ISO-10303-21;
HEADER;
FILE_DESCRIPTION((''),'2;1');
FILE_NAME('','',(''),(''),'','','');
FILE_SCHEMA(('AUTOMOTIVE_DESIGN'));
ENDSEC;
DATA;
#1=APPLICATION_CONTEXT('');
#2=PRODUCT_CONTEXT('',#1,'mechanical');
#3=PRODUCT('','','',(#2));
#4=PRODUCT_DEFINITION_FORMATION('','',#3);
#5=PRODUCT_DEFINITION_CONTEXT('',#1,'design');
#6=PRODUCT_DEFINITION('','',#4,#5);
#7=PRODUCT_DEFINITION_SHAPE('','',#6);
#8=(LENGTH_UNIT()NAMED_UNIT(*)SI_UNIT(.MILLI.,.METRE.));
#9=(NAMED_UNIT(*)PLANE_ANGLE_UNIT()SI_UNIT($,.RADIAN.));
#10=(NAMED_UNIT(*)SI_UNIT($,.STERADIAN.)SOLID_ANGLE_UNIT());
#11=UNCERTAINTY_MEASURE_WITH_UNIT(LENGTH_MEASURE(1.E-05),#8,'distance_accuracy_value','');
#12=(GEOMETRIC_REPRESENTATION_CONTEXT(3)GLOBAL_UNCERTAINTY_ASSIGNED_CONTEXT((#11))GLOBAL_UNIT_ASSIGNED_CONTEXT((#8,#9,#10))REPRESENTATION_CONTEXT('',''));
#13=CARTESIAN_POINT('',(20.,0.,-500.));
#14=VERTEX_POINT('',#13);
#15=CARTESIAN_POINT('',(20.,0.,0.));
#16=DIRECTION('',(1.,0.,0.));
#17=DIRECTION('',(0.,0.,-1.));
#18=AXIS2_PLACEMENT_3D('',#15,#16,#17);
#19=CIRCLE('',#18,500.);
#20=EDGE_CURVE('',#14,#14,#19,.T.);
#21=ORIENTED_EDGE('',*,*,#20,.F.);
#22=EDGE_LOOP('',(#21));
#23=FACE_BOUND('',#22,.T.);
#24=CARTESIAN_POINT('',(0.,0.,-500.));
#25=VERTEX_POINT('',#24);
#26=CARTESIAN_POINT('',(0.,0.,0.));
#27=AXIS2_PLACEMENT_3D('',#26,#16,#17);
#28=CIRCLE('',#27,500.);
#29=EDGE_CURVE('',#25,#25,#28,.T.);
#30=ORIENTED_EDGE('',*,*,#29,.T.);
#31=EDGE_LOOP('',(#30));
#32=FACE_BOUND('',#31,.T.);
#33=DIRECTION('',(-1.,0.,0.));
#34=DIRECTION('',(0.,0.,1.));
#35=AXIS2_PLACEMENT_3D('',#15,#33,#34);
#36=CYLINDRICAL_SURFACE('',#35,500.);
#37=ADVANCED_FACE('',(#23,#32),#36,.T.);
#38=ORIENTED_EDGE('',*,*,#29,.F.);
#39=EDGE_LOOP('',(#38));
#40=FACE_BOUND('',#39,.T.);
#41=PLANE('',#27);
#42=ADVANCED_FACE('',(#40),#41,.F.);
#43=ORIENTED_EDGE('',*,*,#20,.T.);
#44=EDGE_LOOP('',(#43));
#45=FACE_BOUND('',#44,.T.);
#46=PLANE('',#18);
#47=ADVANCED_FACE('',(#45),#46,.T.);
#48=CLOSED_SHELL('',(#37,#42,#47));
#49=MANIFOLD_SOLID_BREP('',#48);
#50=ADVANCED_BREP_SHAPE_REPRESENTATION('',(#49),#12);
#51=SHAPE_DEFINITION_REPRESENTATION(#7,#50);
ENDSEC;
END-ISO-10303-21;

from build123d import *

# Parameters (mm, degrees)
ESQUISSE2_R        = 500
BOSS_EXTRU_2_DEPTH = 20


with BuildPart() as part:
    # Esquisse2 → Boss.-Extru.2 (new body)
    with BuildSketch(Plane(origin=(0, 0, 0), x_dir=(0, 0, -1), z_dir=(1, 0, 0))):
        Circle(ESQUISSE2_R)
    extrude(amount=BOSS_EXTRU_2_DEPTH)


solid = part.part
